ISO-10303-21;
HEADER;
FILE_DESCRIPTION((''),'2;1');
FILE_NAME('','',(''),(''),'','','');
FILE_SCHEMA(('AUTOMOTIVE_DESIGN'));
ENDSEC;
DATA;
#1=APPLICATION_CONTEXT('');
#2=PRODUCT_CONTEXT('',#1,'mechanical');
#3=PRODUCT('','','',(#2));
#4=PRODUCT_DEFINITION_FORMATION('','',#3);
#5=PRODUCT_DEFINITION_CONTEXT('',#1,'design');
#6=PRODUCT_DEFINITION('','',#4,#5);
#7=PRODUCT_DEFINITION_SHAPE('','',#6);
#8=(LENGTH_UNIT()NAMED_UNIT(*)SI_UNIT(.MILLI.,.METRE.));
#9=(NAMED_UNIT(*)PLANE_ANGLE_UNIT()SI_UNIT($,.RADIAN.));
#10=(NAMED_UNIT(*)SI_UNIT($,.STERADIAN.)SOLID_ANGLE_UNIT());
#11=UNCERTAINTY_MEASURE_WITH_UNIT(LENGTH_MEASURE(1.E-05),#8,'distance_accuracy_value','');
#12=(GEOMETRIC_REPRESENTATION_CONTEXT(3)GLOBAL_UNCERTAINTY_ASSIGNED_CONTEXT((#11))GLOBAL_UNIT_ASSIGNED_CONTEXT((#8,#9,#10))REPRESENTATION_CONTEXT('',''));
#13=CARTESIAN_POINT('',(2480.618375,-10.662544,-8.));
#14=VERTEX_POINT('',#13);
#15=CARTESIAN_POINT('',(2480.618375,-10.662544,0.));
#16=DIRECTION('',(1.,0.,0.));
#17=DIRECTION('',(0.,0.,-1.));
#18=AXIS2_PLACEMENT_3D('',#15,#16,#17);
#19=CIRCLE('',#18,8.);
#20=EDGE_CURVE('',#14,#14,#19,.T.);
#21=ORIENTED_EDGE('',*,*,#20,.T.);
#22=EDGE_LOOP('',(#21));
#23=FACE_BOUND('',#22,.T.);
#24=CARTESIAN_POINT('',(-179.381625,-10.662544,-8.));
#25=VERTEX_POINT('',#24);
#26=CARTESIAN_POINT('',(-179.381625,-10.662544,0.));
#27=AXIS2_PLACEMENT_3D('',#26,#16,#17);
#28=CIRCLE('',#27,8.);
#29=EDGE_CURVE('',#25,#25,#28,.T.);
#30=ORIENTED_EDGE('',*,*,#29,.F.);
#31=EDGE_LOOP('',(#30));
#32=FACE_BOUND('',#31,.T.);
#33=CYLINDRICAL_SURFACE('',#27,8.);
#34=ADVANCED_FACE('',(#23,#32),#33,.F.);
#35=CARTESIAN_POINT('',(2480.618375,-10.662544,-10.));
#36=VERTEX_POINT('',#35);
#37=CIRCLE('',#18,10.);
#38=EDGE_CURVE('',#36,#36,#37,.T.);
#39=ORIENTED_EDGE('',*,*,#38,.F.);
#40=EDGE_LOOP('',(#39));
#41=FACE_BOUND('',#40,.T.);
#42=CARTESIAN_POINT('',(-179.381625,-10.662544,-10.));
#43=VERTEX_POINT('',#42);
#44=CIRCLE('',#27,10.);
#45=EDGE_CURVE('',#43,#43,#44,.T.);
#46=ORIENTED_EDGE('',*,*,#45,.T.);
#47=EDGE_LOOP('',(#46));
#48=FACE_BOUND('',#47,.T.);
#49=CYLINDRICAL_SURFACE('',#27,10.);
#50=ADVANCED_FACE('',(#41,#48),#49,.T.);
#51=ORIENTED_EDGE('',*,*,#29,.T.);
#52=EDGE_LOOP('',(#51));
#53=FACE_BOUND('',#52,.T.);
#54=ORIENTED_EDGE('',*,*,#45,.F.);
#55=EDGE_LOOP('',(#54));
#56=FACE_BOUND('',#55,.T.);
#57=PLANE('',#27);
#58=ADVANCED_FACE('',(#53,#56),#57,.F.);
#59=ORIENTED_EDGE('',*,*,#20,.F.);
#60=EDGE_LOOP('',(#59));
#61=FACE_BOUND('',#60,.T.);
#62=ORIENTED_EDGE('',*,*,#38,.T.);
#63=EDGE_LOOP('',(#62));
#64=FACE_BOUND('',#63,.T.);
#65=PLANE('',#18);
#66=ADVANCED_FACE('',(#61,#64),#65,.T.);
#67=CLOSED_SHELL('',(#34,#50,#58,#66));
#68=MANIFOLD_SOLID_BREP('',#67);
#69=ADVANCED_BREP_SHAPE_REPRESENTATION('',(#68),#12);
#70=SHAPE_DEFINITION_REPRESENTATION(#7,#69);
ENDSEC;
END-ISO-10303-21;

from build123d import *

# Parameters (mm, degrees)
SWEEP_THIN1_PROFILE_R   = 10
SWEEP_THIN1_PROFILE_R_2 = 8


with BuildPart() as part:
    # Sweep-Thin1: sweep along a path in Sketch1
    with BuildLine(Plane.XY) as sweep_thin1_path:
        Line((-179.381625442, -10.66254417), (2480.618374558, -10.66254417))
    # Sweep-Thin1 profile (on start of the path) → Sweep-Thin1 (sweep)
    with BuildSketch(Plane(origin=(-179.381625442, -10.66254417, 0), x_dir=(0, 0, 1), z_dir=(1, 0, 0))):
        Circle(SWEEP_THIN1_PROFILE_R)
        Circle(SWEEP_THIN1_PROFILE_R_2, mode=Mode.SUBTRACT)
    sweep(path=sweep_thin1_path.line)


solid = part.part
